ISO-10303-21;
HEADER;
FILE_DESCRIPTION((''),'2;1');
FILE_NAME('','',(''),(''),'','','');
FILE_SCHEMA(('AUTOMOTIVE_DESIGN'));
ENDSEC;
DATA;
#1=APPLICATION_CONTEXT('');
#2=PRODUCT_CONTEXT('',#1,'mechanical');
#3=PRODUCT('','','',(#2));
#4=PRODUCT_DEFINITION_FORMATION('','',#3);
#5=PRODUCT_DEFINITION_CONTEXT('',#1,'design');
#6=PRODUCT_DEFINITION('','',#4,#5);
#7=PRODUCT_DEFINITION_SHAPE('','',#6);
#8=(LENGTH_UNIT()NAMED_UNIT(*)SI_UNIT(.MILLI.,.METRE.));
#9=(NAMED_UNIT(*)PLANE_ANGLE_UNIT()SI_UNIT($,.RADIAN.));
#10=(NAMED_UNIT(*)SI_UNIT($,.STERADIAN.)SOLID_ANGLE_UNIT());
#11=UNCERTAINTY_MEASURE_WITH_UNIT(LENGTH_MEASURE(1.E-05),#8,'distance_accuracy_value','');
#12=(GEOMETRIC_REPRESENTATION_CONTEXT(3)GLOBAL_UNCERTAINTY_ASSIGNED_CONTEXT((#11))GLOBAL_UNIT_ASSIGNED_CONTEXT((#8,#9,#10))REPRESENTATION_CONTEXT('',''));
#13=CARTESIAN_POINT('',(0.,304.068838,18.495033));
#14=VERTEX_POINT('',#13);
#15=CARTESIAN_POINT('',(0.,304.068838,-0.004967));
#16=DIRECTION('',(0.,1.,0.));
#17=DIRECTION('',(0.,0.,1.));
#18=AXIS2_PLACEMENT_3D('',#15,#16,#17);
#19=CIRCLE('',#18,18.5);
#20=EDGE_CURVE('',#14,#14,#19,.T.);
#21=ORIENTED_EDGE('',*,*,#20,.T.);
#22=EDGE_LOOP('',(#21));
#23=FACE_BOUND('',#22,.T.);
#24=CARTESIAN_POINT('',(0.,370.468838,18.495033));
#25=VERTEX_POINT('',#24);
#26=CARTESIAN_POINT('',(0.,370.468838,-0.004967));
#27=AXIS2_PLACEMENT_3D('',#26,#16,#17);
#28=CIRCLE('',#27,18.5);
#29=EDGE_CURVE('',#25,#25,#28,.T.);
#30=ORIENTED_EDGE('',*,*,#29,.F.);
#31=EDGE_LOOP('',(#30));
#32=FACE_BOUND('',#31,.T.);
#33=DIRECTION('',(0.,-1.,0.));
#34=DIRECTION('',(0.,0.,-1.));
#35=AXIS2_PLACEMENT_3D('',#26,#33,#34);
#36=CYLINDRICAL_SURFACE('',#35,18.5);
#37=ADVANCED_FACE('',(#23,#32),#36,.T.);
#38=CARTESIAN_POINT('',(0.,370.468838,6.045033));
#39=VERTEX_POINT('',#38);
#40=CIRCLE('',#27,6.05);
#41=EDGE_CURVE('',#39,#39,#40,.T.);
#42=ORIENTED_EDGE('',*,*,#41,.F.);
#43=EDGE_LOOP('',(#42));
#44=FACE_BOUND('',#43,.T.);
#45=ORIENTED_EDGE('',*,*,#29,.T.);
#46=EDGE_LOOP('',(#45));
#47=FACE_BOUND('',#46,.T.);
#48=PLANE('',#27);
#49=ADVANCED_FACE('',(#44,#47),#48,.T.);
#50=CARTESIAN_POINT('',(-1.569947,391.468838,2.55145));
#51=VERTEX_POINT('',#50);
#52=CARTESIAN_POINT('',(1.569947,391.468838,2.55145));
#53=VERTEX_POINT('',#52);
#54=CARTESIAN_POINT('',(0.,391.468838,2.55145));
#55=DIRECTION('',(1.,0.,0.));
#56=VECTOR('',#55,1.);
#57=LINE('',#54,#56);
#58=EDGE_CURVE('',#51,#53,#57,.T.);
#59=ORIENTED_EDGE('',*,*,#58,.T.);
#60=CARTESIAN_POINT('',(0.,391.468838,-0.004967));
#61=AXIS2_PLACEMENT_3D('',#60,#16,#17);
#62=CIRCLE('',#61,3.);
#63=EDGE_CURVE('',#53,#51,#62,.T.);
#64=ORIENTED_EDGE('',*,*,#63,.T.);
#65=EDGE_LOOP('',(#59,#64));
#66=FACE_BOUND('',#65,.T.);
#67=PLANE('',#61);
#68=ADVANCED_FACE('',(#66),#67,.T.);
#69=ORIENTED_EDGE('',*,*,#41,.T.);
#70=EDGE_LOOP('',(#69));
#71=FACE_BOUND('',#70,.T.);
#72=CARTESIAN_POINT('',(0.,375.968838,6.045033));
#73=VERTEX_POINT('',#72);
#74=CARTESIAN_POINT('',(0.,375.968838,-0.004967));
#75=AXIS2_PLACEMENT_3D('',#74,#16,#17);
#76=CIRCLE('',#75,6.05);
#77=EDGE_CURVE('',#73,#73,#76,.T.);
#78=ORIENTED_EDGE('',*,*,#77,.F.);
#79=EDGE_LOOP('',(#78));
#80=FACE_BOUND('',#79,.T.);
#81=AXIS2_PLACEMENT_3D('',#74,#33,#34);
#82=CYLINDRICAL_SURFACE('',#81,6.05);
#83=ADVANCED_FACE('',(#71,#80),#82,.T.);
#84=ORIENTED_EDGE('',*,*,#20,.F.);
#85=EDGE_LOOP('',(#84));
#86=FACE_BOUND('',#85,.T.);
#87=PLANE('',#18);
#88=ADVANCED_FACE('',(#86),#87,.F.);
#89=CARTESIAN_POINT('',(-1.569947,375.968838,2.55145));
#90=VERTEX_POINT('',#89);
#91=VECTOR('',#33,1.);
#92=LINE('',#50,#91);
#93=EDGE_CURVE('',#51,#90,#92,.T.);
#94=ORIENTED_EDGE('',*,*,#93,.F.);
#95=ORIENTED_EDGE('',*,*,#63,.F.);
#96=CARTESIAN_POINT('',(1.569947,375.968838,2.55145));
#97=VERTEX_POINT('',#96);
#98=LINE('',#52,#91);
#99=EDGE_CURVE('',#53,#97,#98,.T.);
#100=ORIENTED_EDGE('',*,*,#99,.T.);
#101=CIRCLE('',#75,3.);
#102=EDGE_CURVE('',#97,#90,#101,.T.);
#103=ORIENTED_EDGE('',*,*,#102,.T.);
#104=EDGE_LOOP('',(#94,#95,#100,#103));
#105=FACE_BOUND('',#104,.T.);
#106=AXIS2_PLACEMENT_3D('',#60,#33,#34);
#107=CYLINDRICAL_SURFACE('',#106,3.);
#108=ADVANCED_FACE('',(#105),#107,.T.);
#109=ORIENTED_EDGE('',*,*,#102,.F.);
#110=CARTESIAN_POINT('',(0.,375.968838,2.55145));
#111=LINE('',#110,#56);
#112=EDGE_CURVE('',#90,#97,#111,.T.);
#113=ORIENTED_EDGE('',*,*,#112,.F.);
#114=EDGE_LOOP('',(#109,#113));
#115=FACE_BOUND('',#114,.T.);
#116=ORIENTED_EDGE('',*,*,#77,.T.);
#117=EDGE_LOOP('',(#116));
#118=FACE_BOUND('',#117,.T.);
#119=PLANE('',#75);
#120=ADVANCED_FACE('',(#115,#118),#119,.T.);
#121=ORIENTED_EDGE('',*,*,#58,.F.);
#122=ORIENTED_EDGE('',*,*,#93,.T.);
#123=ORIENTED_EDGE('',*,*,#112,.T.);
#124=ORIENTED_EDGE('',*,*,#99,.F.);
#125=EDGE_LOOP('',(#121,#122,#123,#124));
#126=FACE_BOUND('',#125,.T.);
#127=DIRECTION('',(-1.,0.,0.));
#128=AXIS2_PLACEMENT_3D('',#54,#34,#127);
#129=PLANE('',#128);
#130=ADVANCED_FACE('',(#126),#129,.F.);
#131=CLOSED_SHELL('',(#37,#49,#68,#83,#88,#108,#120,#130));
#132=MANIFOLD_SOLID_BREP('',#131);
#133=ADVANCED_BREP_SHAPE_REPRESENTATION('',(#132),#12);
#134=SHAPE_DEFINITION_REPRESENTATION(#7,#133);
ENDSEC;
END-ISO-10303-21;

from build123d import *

# Parameters (mm, degrees)
SKETCH1_R           = 185
BOSS_EXTRUDE1_DEPTH = 664
SKETCH2_R           = 60.5
BOSS_EXTRUDE2_DEPTH = 55
BOSS_EXTRUDE3_DEPTH = 155
SCALE1_SCALE        = 0.1


with BuildPart() as part:
    # Sketch1 → Boss-Extrude1 (new body)
    with BuildSketch(Plane(origin=(0, 0, 0), x_dir=(1, 0, 0), z_dir=(0, 1, 0))):
        with Locations(Location((0, 0, 0), (0, 0, 270))):
            Circle(SKETCH1_R)
    extrude(amount=BOSS_EXTRUDE1_DEPTH)

    # Sketch2 → Boss-Extrude2 (add)
    with BuildSketch(Plane(origin=(0, 664, 0), x_dir=(1, 0, 0), z_dir=(0, 1, 0))):
        with Locations(Location((0, 0, 0), (0, 0, 270))):
            Circle(SKETCH2_R)
    extrude(amount=BOSS_EXTRUDE2_DEPTH)

    # Sketch3 → Boss-Extrude3 (add)
    with BuildSketch(Plane(origin=(0, 719, 0), x_dir=(1, 0, 0), z_dir=(0, 1, 0))):
        with BuildLine():
            Line((0, -25.564167514), (15.699469395, -25.564167514))
            ThreePointArc((15.699469395, -25.564167514), (0, 30), (-15.699469395, -25.564167514))
            Line((-15.699469395, -25.564167514), (0, -25.564167514))
        make_face()
    extrude(amount=BOSS_EXTRUDE3_DEPTH)


with BuildPart() as part_1:
    # Scale1: scaled about (0, 337.854264359, -0.005518954)
    add(part.part.scale(SCALE1_SCALE).moved(Location((0, 304.068837923, -0.004967059))))


solid = part_1.part
